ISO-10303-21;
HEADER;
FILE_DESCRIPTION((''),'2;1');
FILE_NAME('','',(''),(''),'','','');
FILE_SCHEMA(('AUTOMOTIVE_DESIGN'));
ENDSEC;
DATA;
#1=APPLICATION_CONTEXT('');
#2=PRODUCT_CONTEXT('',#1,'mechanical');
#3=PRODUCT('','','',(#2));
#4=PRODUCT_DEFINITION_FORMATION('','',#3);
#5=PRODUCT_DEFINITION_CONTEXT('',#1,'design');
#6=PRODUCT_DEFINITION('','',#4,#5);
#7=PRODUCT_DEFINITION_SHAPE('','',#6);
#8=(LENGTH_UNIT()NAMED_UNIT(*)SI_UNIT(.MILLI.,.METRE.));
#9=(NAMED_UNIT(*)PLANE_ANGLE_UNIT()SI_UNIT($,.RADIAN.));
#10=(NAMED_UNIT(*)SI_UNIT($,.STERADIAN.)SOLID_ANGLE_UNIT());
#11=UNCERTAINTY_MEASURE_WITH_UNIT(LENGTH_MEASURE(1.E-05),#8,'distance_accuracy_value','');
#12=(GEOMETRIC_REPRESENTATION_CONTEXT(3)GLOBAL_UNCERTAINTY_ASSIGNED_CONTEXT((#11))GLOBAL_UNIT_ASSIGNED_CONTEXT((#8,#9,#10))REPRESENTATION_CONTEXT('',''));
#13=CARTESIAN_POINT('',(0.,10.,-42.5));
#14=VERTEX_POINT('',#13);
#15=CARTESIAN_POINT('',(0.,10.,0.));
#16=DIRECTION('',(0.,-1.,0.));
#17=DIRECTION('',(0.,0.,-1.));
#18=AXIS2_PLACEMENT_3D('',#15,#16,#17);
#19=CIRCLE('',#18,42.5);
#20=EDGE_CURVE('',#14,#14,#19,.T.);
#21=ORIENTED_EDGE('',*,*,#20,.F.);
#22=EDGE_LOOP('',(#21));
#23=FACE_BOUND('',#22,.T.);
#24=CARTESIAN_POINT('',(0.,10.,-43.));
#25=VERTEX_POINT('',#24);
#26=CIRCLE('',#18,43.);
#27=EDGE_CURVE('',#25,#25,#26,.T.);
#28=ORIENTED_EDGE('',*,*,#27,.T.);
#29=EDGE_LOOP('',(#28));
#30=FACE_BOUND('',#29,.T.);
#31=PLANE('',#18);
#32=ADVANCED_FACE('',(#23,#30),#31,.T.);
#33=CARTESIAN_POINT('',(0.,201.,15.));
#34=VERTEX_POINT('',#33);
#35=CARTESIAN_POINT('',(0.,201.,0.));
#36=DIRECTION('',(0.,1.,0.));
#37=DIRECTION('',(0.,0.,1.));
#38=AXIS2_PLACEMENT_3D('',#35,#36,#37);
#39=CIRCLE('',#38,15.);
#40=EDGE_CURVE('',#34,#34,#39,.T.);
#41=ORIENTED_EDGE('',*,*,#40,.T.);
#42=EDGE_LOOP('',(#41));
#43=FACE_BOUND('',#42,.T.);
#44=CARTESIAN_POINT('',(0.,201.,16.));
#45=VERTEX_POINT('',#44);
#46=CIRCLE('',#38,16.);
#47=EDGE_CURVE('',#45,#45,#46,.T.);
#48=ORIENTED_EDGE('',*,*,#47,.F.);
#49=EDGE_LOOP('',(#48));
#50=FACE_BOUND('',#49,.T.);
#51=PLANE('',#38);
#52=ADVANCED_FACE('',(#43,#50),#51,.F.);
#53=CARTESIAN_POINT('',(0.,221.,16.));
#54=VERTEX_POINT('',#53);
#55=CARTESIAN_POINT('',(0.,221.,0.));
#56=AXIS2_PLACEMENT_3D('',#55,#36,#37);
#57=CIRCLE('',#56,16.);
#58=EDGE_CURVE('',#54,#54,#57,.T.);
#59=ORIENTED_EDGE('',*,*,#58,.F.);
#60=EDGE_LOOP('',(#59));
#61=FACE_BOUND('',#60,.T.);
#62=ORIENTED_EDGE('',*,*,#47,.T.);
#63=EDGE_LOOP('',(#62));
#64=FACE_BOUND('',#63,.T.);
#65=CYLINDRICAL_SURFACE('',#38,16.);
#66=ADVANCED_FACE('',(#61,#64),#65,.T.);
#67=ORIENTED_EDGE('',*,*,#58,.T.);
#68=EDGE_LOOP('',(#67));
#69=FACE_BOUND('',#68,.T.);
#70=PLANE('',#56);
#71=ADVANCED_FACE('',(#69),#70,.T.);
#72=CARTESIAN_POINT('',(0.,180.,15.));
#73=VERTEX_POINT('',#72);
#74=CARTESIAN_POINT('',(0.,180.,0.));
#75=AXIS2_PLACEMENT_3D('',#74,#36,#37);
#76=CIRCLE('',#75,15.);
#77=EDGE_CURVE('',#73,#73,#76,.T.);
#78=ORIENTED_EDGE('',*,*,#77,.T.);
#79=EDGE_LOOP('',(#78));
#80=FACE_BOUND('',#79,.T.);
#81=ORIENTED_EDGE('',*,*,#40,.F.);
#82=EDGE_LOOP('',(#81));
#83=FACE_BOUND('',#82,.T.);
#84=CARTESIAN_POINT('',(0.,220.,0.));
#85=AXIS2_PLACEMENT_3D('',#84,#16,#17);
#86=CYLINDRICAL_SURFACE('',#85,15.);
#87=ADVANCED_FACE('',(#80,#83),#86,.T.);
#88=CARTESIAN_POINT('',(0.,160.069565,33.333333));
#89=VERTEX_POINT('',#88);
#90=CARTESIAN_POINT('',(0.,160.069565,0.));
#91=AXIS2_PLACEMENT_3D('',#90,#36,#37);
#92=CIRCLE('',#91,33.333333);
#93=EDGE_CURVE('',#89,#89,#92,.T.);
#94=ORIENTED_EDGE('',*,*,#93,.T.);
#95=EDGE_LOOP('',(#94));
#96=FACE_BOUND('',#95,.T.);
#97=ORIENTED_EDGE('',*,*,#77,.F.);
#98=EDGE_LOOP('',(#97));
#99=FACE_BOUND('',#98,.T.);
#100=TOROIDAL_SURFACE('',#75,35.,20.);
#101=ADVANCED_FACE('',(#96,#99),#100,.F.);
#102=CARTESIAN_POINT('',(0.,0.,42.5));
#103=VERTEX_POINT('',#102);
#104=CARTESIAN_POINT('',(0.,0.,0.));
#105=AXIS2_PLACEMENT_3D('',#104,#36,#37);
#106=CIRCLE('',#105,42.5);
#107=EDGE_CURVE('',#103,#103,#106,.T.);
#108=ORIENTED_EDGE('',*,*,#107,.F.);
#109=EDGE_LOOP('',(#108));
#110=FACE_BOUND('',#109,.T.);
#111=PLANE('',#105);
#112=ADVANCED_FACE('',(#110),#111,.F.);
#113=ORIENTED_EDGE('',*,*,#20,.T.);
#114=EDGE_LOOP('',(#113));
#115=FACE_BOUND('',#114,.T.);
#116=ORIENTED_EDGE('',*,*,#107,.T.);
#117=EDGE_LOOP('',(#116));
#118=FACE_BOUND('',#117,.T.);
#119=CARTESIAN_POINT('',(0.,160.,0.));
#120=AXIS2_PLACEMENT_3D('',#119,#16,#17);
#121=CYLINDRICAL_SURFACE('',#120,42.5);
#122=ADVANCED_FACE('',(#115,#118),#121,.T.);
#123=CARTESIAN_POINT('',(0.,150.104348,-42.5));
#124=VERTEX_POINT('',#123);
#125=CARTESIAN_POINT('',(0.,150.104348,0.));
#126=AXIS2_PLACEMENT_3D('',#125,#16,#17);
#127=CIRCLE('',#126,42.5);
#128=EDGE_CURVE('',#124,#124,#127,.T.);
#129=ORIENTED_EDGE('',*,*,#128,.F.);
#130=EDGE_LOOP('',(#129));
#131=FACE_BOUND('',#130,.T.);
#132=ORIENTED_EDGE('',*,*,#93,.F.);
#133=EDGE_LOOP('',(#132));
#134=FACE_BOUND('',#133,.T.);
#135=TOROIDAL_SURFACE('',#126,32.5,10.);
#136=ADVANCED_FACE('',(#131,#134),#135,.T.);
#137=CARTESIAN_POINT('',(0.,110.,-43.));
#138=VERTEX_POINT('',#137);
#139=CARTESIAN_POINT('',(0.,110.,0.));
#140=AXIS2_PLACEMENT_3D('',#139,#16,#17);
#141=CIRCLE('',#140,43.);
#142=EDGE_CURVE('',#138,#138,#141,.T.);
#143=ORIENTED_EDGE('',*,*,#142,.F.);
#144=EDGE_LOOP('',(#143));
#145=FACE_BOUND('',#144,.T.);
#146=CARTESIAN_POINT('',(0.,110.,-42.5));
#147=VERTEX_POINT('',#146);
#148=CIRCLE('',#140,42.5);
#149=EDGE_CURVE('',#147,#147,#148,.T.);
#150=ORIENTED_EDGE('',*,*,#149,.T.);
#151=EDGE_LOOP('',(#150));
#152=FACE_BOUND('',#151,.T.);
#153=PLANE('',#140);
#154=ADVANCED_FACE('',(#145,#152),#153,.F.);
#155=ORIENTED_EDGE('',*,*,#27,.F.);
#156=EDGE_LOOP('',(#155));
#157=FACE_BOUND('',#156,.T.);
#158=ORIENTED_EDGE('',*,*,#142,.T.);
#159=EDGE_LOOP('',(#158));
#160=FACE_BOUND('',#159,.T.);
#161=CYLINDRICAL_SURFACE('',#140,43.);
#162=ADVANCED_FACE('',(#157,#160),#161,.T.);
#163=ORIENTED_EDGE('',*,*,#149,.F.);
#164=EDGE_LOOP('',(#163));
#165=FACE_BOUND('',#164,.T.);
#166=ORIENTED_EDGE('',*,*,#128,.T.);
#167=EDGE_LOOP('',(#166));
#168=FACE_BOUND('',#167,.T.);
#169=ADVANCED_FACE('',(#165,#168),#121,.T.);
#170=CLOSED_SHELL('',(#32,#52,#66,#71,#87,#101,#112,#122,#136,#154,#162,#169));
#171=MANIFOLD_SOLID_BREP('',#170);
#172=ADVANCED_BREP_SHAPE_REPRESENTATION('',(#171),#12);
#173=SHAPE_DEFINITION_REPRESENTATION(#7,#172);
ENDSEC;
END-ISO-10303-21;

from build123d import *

# Parameters (mm, degrees)
SKETCH2_R           = 42.5
BOSS_EXTRUDE1_DEPTH = 160
SKETCH3_R           = 15
BOSS_EXTRUDE2_DEPTH = 60
FILLET1_R           = 20
FILLET2_R           = 10
BOSS_EXTRUDE3_START = 1
SKETCH4_R           = 16
BOSS_EXTRUDE3_DEPTH = 20
BOSS_EXTRUDE4_START = -10
SKETCH5_R           = 43
BOSS_EXTRUDE4_DEPTH = 100


with BuildPart() as part:
    # Sketch2 → Boss-Extrude1 (new body)
    with BuildSketch(Plane(origin=(0, 0, 0), x_dir=(1, 0, 0), z_dir=(0, 1, 0))):
        Circle(SKETCH2_R)
    extrude(amount=BOSS_EXTRUDE1_DEPTH)

    # Sketch3 → Boss-Extrude2 (add)
    with BuildSketch(Plane(origin=(0, 160, 0), x_dir=(1, 0, 0), z_dir=(0, 1, 0))):
        Circle(SKETCH3_R)
    extrude(amount=BOSS_EXTRUDE2_DEPTH)

    # Fillet1
    fillet1_edges = [part.edges().sort_by_distance(p)[0] for p in [
        (-15, 160, 0),
    ]]
    fillet(fillet1_edges, radius=FILLET1_R)

    # Fillet2
    fillet2_edges = [part.edges().sort_by_distance(p)[0] for p in [
        (-42.5, 160, 0),
    ]]
    fillet(fillet2_edges, radius=FILLET2_R)

    # Sketch4 → Boss-Extrude3 (add)
    with BuildSketch(Plane(origin=(0, 220, 0), x_dir=(1, 0, 0), z_dir=(0, 1, 0)).offset(BOSS_EXTRUDE3_START)):
        Circle(SKETCH4_R)
    extrude(amount=-BOSS_EXTRUDE3_DEPTH)

    # Sketch5 → Boss-Extrude4 (add)
    with BuildSketch(Plane.XZ.offset(BOSS_EXTRUDE4_START)):
        Circle(SKETCH5_R)
    extrude(amount=-BOSS_EXTRUDE4_DEPTH)


solid = part.part
